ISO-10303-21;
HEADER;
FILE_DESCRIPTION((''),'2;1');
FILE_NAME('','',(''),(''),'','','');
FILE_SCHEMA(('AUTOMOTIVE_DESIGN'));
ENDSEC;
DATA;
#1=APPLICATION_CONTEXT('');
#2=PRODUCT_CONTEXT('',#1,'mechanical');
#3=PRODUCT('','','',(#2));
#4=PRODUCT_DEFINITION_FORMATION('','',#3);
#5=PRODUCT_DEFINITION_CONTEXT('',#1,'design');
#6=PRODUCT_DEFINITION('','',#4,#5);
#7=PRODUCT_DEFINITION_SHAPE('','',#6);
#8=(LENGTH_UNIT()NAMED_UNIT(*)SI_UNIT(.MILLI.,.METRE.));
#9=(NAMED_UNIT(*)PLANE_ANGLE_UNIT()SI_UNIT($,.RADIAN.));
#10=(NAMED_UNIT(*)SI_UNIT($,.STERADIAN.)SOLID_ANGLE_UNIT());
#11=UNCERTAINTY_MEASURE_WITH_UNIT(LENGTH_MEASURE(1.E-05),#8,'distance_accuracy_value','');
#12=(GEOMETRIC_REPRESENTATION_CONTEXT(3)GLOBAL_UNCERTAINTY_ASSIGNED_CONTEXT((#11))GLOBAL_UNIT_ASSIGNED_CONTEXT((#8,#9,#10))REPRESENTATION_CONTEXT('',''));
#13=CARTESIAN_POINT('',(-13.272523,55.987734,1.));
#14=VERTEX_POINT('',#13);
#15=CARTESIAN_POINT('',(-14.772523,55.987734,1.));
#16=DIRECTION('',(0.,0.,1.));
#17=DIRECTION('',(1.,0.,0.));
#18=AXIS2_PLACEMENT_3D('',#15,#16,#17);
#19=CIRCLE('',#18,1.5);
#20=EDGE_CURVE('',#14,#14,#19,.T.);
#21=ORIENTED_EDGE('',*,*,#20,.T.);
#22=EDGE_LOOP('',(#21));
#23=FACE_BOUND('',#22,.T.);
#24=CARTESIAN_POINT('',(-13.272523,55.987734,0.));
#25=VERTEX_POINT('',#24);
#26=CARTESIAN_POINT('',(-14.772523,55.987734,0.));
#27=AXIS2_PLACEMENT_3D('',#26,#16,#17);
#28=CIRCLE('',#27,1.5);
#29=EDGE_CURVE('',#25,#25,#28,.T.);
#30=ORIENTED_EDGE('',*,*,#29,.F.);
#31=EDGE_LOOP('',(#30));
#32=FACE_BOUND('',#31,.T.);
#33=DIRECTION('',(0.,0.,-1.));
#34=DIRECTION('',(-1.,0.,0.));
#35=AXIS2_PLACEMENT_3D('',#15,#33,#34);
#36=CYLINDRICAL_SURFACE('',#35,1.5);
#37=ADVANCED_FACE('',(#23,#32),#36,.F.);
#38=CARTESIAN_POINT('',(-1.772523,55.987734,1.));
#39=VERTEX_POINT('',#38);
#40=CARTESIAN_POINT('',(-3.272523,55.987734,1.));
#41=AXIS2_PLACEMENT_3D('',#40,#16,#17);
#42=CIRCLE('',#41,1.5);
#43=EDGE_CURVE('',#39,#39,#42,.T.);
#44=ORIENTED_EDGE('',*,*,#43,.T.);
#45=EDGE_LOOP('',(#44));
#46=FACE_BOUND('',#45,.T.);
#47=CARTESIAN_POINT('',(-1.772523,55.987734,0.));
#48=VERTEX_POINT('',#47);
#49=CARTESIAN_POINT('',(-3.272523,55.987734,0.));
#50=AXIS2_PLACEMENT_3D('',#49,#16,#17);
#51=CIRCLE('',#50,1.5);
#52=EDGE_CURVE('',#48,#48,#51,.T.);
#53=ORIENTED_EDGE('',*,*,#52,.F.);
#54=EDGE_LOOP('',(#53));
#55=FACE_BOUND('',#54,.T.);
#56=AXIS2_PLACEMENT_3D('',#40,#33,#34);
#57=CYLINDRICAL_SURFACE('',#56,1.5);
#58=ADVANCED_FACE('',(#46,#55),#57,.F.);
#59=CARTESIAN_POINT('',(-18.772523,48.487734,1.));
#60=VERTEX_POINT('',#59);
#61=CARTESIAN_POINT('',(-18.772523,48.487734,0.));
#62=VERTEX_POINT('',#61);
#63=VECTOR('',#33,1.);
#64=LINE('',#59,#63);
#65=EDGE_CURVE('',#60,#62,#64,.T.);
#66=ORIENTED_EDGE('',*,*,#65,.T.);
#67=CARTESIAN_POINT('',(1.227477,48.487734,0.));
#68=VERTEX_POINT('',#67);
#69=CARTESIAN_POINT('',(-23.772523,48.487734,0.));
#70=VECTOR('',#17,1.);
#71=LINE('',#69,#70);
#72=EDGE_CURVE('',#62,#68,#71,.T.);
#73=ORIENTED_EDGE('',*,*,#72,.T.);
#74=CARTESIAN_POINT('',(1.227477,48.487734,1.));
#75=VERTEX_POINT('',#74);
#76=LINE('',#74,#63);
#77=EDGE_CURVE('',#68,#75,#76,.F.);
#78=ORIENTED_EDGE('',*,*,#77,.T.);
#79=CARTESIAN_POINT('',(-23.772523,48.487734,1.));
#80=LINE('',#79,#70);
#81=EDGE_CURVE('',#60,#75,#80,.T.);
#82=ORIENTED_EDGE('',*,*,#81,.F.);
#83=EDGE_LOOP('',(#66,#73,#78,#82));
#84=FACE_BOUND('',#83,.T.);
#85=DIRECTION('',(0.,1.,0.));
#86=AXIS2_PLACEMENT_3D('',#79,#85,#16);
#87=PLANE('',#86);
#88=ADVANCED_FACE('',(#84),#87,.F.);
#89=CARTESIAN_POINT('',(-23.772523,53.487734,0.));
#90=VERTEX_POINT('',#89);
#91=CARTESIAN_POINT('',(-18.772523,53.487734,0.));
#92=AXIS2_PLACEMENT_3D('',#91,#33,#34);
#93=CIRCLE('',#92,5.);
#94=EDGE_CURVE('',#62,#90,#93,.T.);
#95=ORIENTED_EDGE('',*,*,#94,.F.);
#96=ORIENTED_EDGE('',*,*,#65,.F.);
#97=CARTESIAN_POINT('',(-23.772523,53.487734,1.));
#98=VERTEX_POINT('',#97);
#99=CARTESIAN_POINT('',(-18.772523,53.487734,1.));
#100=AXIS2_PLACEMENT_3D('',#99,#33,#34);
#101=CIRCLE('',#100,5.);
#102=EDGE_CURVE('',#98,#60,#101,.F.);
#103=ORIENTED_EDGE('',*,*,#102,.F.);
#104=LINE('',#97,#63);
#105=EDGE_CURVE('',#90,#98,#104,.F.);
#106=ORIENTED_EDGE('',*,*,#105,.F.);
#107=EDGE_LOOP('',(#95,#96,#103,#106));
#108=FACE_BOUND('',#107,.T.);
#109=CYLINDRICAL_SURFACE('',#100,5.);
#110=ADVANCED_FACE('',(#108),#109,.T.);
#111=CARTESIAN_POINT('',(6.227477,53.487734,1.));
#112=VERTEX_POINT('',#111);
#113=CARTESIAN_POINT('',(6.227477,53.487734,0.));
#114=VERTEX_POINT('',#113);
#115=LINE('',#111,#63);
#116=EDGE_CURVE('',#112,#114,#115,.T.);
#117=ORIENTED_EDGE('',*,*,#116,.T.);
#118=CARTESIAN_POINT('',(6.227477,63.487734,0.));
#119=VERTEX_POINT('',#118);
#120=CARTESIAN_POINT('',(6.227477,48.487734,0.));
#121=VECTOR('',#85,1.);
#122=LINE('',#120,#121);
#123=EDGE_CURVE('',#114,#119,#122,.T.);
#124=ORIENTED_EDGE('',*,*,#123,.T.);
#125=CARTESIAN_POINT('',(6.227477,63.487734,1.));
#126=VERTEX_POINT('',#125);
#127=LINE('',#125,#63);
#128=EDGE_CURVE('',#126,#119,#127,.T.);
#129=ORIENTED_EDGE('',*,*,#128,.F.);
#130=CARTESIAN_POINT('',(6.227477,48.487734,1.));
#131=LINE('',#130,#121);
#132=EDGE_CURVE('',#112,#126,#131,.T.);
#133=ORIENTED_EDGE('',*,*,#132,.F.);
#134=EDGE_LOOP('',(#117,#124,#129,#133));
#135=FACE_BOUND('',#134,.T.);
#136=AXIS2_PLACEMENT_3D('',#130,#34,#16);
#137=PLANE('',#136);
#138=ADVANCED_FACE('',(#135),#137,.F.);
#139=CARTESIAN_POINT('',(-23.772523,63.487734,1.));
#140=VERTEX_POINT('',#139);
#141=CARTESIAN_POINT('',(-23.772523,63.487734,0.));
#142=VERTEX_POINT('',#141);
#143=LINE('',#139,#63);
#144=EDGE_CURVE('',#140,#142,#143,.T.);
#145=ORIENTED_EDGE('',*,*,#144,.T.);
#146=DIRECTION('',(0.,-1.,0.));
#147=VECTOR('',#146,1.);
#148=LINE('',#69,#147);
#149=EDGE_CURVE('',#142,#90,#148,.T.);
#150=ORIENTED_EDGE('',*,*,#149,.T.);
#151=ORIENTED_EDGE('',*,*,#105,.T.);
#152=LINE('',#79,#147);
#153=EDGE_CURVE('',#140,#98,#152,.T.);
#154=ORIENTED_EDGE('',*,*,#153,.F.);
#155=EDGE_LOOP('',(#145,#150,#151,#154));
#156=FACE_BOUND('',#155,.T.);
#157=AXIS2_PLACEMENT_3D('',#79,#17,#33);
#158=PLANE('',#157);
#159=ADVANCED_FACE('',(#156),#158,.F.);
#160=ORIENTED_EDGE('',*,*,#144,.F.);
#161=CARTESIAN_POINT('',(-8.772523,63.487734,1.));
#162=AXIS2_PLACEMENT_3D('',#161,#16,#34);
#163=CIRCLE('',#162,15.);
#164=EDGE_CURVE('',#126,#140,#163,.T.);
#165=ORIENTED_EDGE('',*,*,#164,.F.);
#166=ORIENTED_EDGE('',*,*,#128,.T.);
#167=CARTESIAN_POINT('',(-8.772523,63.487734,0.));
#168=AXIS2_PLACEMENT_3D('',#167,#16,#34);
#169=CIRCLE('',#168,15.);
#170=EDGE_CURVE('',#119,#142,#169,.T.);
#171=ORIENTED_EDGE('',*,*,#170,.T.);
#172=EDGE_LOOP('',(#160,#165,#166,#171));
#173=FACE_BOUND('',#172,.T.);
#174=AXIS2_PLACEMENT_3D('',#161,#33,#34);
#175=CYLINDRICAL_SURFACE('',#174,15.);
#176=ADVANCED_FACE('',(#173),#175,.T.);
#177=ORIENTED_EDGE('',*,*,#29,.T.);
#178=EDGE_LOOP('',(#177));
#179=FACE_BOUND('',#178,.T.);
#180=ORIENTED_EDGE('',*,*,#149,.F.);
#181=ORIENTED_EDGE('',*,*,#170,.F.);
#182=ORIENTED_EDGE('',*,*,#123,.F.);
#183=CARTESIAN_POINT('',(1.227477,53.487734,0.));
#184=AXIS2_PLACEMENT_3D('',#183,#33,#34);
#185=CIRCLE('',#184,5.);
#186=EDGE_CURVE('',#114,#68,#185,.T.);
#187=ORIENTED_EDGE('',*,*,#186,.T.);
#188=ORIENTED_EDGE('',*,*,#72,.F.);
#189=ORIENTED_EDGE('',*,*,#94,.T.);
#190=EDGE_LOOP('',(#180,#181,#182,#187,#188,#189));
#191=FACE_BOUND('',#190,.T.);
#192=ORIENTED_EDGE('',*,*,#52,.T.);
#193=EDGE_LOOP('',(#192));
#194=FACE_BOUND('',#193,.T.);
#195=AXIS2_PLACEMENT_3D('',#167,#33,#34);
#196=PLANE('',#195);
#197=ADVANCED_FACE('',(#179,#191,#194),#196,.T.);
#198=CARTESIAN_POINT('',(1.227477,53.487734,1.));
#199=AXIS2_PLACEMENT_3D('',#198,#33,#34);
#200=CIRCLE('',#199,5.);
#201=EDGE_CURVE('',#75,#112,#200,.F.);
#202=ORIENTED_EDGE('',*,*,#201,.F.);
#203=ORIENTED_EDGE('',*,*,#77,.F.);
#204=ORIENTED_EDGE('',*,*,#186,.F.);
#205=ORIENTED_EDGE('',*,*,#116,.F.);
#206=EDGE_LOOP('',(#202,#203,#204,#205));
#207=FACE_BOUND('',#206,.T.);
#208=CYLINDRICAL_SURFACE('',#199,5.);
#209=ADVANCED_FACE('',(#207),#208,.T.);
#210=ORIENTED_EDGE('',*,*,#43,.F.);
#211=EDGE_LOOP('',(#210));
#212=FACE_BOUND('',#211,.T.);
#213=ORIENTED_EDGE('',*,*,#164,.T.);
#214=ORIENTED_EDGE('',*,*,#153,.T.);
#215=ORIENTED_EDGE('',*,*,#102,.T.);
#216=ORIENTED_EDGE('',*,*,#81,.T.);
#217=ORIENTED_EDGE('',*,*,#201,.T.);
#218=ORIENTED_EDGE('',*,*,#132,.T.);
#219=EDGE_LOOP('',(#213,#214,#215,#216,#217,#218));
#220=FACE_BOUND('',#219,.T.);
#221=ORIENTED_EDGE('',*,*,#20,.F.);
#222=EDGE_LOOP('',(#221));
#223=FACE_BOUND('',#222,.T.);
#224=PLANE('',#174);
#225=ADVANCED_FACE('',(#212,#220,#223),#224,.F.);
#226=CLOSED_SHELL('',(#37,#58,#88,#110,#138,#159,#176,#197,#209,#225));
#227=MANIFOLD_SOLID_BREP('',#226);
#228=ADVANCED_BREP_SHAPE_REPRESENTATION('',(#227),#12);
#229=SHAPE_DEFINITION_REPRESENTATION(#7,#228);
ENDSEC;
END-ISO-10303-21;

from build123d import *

# Parameters (mm, degrees)
SKETCH1_R           = 1.5
BOSS_EXTRUDE1_DEPTH = 1
FILLET2_R           = 5
FILLET3_R           = 5


with BuildPart() as part:
    # Sketch1 → Boss-Extrude1 (new body)
    with BuildSketch(Plane.XY):
        with BuildLine():
            Line((-23.772522595, 48.487733688), (6.227477405, 48.487733688))
            Line((6.227477405, 48.487733688), (6.227477405, 63.487733688))
            ThreePointArc((6.227477405, 63.487733688), (-8.772522595, 78.487733688), (-23.772522595, 63.487733688))
            Line((-23.772522595, 63.487733688), (-23.772522595, 48.487733688))
        make_face()
        with Locations((-14.772522595, 55.987733688)):
            Circle(SKETCH1_R, mode=Mode.SUBTRACT)
        with Locations((-3.272522595, 55.987733688)):
            Circle(SKETCH1_R, mode=Mode.SUBTRACT)
    extrude(amount=BOSS_EXTRUDE1_DEPTH)

    # Fillet2
    fillet2_edges = [part.edges().sort_by_distance(p)[0] for p in [
        (-23.772522595, 48.487733688, 0.5),
    ]]
    fillet(fillet2_edges, radius=FILLET2_R)

    # Fillet3
    fillet3_edges = [part.edges().sort_by_distance(p)[0] for p in [
        (6.227477405, 48.487733688, 0.5),
    ]]
    fillet(fillet3_edges, radius=FILLET3_R)


solid = part.part
